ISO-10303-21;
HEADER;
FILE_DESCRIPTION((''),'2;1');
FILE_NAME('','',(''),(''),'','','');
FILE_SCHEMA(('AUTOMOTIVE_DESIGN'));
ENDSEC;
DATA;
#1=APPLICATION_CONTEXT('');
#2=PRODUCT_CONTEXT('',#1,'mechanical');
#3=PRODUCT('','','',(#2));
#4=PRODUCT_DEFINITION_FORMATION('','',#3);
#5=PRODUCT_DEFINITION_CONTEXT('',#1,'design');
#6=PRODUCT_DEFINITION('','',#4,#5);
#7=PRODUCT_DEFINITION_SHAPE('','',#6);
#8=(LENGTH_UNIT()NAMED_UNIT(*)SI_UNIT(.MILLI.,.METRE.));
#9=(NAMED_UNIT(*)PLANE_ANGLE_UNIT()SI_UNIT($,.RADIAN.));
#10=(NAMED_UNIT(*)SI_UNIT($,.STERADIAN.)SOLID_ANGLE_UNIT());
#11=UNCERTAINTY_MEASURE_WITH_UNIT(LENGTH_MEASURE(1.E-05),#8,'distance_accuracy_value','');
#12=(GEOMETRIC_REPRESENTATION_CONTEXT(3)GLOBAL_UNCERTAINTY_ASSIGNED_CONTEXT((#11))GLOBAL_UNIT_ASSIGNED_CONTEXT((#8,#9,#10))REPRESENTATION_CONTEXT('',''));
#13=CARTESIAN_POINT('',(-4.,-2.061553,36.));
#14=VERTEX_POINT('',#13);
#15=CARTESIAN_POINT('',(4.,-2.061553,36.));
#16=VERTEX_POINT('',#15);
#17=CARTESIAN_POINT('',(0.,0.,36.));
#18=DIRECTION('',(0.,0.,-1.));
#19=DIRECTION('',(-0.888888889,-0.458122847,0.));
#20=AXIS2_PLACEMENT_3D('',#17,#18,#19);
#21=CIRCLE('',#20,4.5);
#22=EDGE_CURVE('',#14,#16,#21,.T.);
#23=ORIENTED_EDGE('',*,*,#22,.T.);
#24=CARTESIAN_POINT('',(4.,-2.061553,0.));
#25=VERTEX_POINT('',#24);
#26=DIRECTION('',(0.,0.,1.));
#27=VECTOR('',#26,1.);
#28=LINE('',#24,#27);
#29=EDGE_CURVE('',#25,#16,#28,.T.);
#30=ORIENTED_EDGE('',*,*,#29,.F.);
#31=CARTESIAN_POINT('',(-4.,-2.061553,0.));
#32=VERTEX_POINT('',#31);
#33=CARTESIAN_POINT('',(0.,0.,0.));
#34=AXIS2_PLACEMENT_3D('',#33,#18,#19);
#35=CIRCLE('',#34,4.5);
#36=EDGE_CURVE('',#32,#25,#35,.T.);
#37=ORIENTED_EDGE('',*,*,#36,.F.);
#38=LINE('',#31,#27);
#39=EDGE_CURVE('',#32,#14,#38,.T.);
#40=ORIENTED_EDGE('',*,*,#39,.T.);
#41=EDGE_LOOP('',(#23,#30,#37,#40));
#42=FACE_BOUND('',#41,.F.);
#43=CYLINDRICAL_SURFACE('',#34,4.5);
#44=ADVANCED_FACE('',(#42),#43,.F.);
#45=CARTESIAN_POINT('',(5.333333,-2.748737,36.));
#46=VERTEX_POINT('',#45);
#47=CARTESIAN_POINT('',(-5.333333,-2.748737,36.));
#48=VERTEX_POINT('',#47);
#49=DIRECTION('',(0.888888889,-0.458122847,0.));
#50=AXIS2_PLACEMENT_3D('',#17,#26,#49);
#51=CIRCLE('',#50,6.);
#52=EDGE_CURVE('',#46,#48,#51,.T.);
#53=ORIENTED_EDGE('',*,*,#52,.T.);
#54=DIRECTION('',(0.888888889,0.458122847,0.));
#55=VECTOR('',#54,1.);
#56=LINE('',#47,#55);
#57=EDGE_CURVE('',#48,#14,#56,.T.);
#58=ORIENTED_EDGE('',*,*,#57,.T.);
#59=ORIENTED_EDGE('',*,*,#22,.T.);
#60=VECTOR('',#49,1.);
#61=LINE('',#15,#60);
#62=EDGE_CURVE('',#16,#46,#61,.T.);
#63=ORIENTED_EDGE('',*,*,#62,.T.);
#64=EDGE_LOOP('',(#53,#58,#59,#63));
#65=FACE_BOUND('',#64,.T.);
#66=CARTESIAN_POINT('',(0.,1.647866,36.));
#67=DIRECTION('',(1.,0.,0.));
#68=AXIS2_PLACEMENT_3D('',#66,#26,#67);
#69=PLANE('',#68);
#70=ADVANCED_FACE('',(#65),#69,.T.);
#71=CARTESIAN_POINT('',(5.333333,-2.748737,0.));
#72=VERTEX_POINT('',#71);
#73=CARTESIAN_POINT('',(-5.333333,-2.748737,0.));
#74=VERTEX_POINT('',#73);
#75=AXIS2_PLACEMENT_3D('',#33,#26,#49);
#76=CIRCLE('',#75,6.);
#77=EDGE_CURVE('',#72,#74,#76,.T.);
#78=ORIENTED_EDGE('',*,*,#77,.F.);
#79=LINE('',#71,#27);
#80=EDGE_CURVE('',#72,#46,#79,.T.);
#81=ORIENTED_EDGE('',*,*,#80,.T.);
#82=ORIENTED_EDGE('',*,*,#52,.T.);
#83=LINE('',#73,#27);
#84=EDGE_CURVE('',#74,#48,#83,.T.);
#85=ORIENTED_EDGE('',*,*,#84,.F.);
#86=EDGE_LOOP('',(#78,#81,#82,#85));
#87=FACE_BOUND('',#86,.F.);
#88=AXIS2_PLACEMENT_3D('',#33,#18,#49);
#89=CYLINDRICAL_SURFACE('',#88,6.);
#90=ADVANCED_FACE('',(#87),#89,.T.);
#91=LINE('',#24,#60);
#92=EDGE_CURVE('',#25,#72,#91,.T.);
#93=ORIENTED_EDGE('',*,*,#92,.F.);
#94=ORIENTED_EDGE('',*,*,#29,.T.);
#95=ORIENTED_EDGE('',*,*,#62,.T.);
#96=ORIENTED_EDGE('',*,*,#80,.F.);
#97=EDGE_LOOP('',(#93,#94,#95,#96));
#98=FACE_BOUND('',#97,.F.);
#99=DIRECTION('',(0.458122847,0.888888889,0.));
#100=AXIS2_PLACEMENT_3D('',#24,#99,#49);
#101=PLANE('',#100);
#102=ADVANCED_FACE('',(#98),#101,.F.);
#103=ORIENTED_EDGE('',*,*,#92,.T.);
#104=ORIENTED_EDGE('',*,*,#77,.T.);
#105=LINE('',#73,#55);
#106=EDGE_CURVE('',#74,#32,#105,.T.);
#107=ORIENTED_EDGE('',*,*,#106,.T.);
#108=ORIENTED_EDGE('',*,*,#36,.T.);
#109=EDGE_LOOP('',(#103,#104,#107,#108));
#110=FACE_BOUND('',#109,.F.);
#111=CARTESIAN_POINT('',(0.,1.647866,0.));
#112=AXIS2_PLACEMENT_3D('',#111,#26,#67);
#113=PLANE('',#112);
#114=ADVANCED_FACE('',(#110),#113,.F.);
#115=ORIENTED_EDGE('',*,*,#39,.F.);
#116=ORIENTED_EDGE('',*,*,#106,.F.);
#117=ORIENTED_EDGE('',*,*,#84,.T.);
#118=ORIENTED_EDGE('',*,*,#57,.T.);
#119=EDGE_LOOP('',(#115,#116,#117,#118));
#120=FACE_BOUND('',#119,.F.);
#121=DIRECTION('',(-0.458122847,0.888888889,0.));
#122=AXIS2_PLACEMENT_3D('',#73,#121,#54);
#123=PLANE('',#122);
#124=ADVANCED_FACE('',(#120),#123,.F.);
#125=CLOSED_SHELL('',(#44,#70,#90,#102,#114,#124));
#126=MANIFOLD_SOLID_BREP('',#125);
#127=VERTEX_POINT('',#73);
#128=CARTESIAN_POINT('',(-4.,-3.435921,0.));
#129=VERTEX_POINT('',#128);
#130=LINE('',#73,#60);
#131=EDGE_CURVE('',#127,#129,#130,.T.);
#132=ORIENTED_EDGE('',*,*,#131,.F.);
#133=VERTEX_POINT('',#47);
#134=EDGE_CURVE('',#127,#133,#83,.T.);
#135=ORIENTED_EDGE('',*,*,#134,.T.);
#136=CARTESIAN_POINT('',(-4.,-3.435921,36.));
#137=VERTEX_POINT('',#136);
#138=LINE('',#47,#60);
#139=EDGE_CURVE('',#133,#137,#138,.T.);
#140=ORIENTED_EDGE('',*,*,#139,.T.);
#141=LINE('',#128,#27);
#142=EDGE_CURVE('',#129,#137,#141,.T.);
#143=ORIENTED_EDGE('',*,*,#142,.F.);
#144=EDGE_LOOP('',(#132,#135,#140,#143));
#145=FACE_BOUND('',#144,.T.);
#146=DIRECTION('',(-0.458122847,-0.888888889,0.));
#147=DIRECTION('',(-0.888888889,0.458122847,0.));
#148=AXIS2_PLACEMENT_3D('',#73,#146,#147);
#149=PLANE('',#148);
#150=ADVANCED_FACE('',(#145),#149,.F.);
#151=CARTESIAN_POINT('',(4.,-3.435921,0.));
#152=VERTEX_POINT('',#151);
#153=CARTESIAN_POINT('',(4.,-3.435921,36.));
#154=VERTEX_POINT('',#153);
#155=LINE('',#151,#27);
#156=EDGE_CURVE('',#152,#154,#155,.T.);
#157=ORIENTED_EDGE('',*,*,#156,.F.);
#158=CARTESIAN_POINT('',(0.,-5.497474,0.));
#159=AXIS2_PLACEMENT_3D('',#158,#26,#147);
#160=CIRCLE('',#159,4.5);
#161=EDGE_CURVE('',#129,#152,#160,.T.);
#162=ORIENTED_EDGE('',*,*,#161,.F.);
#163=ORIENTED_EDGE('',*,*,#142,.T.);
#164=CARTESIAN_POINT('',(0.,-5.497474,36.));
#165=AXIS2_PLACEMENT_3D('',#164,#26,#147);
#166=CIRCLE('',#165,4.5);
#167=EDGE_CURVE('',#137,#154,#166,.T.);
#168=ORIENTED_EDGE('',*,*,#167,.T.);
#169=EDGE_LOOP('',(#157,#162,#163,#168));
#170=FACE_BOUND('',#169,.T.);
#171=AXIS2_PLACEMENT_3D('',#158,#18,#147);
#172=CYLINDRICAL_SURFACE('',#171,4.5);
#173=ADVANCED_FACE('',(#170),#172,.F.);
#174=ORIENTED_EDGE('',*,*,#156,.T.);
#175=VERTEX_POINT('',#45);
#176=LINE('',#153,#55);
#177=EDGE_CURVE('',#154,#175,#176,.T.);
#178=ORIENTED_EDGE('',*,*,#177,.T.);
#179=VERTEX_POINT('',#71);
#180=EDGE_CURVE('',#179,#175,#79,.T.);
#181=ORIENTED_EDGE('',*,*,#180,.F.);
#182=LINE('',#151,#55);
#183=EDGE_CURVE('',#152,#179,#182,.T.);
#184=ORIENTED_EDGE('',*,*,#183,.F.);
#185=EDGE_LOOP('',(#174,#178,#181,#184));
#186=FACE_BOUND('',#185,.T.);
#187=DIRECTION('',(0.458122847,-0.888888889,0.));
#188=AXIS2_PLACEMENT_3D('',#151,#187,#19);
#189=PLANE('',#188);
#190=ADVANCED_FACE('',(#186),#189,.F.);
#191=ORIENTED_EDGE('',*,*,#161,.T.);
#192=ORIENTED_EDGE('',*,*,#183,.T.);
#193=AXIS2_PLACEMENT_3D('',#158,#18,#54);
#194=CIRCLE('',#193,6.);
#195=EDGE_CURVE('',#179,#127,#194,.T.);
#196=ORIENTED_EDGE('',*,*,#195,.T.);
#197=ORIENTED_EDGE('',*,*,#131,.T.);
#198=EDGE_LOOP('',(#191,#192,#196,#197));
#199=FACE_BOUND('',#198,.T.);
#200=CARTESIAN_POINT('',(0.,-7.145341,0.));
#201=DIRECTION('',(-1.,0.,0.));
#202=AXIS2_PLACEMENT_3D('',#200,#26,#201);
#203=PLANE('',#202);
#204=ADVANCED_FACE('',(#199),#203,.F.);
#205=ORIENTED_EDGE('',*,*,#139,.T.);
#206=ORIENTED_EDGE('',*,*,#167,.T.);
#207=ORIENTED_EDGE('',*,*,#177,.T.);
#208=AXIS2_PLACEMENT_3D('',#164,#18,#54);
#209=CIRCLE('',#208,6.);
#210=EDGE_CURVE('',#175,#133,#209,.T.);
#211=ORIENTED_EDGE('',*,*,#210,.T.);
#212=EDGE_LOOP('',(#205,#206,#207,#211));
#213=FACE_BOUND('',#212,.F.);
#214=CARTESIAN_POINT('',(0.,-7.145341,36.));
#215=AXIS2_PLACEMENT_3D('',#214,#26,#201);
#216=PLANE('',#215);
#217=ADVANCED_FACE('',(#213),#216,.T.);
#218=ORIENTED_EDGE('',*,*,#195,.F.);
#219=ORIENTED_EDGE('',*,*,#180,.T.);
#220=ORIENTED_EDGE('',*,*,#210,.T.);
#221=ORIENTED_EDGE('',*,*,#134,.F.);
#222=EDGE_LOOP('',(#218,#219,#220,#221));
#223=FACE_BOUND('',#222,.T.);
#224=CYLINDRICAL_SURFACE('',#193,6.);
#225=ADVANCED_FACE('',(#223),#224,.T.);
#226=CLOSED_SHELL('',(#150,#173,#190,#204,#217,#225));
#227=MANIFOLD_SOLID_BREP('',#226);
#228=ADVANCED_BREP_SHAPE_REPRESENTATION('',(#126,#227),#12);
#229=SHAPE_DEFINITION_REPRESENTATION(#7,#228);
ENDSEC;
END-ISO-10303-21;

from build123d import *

# Parameters (mm, degrees)
F1_DEPTH = 36


with BuildPart() as f1:
    # F0 (on Top) → F1 (new body)
    with BuildSketch(Plane.XY):
        with BuildLine():
            ThreePointArc((-4, -2.0615528128), (0, 4.5), (4, -2.0615528128))
            Line((4, -2.0615528128), (5.3333333333, -2.7487370837))
            ThreePointArc((5.3333333333, -2.7487370837), (0, 6), (-5.3333333333, -2.7487370837))
            Line((-5.3333333333, -2.7487370837), (-4, -2.0615528128))
        make_face()
    extrude(amount=F1_DEPTH)


with BuildPart() as f3_1:
    # F3: instance of F1
    add(f1.part.mirror(Plane.XZ.offset(2.7487370837)))


solid = Compound([f1.part, f3_1.part])
